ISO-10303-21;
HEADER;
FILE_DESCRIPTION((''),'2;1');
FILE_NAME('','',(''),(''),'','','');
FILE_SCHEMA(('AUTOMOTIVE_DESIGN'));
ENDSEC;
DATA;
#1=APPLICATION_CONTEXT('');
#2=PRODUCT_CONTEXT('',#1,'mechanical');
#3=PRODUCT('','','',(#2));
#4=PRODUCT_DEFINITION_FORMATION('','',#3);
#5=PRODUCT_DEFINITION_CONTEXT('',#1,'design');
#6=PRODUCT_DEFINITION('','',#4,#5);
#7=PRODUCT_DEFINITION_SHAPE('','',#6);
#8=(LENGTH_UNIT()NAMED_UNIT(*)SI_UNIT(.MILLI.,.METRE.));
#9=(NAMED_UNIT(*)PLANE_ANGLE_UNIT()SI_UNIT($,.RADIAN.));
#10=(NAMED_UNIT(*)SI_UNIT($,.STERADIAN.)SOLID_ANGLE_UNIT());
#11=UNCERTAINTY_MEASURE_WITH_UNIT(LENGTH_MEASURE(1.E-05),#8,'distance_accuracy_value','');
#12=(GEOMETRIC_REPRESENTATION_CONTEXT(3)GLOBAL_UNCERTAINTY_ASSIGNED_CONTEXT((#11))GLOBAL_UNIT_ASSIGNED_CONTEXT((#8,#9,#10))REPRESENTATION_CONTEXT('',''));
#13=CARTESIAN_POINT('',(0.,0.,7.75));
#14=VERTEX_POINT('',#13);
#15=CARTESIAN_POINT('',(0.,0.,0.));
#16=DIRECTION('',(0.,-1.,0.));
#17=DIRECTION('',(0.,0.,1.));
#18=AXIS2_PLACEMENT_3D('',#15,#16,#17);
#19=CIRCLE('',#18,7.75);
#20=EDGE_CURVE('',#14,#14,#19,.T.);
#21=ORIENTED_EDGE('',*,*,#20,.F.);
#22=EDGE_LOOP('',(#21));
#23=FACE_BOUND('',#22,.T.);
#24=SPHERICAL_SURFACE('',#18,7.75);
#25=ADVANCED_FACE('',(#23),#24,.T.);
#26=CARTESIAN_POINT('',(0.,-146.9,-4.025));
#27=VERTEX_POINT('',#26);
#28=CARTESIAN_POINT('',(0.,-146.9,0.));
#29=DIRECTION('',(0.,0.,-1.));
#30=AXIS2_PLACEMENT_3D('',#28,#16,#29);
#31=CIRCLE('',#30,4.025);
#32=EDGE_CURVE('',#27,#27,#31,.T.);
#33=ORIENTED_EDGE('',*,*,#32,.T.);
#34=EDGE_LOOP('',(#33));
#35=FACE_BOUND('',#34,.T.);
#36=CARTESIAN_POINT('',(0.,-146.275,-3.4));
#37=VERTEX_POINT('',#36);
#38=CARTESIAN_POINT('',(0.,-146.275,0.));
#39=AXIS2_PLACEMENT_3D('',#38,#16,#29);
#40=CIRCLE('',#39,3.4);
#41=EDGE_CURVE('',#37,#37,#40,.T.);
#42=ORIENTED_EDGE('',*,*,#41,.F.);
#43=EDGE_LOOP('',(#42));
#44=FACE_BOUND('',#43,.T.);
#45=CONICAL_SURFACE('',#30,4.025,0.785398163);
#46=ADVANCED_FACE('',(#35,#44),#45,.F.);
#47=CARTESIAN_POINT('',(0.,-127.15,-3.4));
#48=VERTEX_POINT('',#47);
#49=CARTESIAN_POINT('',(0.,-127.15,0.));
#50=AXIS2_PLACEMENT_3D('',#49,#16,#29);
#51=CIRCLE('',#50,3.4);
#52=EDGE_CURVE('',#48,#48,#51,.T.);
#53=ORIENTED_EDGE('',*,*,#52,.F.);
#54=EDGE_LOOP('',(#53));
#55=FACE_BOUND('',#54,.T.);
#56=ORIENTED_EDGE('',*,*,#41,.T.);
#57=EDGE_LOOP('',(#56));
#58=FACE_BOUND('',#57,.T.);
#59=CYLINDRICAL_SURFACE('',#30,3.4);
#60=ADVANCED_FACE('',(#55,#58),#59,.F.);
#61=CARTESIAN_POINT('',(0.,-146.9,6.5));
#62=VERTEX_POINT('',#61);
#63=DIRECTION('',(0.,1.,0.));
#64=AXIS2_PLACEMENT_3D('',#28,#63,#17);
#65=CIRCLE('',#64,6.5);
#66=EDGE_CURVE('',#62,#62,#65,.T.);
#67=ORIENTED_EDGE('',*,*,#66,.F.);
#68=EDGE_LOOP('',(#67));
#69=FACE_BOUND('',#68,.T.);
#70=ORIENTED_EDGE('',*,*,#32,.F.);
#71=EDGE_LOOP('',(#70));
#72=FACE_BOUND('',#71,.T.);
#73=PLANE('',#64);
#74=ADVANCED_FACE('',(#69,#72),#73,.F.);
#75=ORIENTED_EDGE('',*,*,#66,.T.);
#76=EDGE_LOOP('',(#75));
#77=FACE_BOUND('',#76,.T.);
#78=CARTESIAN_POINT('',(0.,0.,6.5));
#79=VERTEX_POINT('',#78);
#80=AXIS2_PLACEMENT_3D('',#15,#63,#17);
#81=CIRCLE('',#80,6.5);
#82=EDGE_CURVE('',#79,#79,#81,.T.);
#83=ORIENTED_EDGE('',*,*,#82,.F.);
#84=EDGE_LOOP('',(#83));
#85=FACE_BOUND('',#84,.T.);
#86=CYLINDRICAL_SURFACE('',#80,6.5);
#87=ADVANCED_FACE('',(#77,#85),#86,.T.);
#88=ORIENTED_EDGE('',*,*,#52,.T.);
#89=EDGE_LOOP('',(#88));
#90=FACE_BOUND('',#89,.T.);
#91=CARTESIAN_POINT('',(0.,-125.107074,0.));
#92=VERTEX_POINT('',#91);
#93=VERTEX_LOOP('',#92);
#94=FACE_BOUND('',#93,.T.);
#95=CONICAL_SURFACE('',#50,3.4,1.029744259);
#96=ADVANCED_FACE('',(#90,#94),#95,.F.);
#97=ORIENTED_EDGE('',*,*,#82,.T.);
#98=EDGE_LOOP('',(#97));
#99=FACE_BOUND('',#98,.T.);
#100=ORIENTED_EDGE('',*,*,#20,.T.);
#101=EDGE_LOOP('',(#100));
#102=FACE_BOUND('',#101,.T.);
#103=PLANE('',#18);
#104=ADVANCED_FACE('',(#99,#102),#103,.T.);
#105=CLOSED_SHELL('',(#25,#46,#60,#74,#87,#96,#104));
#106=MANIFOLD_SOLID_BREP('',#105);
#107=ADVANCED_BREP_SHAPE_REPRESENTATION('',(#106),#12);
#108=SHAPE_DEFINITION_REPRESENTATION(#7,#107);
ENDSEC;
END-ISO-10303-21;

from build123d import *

# Parameters (mm, degrees)
REVOLVE_1_ANGLE              = 180
SKETCH_6_W                   = 6.5
SKETCH_6_H                   = 146.9
HOLE_WIZARD_M8_1_D           = 6.8
HOLE_WIZARD_M8_1_DEPTH       = 19.75
HOLE_WIZARD_M8_1_CSINK_D     = 8.05
HOLE_WIZARD_M8_1_CSINK_ANGLE = 90
HOLE_WIZARD_M8_1_TIP         = 2.042926105


with BuildPart() as part:
    # 草图1 → 旋转1 (revolve)
    with BuildSketch(Plane(origin=(0, 0, 0), x_dir=(1, 0, 0), z_dir=(0, 1, 0))):
        with BuildLine():
            Line((0, 7.75), (0, -7.75))
            ThreePointArc((0, -7.75), (7.75, 0), (0, 7.75))
        make_face()
    revolve(axis=Axis((0, 0, -7.75), (0, 0, 1)), revolution_arc=REVOLVE_1_ANGLE)

    # 草图6 → 旋转2 (revolve)
    with BuildSketch(Plane(origin=(0, 0, 0), x_dir=(0, 0, -1), z_dir=(1, 0, 0)), mode=Mode.PRIVATE) as revolve_2_sk:
        with Locations((3.25, -73.45)):
            Rectangle(SKETCH_6_W, SKETCH_6_H)
    revolve(revolve_2_sk.sketch.rotate(Axis((0, 0, 0), (0, -1, 0)), 180), axis=Axis((0, 0, 0), (0, -1, 0)))

    # M8 螺纹孔1
    with Locations(Plane(origin=(0, -146.9, 0), x_dir=(0, 0, -1), z_dir=(0, -1, 0))):
        with Locations((0, 0)):
            CounterSinkHole(HOLE_WIZARD_M8_1_D / 2, HOLE_WIZARD_M8_1_CSINK_D / 2, depth=HOLE_WIZARD_M8_1_DEPTH, counter_sink_angle=HOLE_WIZARD_M8_1_CSINK_ANGLE)
            with Locations((0, 0, -(HOLE_WIZARD_M8_1_DEPTH + HOLE_WIZARD_M8_1_TIP / 2))):  # 118° drill point
                Cone(0, HOLE_WIZARD_M8_1_D / 2, HOLE_WIZARD_M8_1_TIP, mode=Mode.SUBTRACT)


solid = part.part
